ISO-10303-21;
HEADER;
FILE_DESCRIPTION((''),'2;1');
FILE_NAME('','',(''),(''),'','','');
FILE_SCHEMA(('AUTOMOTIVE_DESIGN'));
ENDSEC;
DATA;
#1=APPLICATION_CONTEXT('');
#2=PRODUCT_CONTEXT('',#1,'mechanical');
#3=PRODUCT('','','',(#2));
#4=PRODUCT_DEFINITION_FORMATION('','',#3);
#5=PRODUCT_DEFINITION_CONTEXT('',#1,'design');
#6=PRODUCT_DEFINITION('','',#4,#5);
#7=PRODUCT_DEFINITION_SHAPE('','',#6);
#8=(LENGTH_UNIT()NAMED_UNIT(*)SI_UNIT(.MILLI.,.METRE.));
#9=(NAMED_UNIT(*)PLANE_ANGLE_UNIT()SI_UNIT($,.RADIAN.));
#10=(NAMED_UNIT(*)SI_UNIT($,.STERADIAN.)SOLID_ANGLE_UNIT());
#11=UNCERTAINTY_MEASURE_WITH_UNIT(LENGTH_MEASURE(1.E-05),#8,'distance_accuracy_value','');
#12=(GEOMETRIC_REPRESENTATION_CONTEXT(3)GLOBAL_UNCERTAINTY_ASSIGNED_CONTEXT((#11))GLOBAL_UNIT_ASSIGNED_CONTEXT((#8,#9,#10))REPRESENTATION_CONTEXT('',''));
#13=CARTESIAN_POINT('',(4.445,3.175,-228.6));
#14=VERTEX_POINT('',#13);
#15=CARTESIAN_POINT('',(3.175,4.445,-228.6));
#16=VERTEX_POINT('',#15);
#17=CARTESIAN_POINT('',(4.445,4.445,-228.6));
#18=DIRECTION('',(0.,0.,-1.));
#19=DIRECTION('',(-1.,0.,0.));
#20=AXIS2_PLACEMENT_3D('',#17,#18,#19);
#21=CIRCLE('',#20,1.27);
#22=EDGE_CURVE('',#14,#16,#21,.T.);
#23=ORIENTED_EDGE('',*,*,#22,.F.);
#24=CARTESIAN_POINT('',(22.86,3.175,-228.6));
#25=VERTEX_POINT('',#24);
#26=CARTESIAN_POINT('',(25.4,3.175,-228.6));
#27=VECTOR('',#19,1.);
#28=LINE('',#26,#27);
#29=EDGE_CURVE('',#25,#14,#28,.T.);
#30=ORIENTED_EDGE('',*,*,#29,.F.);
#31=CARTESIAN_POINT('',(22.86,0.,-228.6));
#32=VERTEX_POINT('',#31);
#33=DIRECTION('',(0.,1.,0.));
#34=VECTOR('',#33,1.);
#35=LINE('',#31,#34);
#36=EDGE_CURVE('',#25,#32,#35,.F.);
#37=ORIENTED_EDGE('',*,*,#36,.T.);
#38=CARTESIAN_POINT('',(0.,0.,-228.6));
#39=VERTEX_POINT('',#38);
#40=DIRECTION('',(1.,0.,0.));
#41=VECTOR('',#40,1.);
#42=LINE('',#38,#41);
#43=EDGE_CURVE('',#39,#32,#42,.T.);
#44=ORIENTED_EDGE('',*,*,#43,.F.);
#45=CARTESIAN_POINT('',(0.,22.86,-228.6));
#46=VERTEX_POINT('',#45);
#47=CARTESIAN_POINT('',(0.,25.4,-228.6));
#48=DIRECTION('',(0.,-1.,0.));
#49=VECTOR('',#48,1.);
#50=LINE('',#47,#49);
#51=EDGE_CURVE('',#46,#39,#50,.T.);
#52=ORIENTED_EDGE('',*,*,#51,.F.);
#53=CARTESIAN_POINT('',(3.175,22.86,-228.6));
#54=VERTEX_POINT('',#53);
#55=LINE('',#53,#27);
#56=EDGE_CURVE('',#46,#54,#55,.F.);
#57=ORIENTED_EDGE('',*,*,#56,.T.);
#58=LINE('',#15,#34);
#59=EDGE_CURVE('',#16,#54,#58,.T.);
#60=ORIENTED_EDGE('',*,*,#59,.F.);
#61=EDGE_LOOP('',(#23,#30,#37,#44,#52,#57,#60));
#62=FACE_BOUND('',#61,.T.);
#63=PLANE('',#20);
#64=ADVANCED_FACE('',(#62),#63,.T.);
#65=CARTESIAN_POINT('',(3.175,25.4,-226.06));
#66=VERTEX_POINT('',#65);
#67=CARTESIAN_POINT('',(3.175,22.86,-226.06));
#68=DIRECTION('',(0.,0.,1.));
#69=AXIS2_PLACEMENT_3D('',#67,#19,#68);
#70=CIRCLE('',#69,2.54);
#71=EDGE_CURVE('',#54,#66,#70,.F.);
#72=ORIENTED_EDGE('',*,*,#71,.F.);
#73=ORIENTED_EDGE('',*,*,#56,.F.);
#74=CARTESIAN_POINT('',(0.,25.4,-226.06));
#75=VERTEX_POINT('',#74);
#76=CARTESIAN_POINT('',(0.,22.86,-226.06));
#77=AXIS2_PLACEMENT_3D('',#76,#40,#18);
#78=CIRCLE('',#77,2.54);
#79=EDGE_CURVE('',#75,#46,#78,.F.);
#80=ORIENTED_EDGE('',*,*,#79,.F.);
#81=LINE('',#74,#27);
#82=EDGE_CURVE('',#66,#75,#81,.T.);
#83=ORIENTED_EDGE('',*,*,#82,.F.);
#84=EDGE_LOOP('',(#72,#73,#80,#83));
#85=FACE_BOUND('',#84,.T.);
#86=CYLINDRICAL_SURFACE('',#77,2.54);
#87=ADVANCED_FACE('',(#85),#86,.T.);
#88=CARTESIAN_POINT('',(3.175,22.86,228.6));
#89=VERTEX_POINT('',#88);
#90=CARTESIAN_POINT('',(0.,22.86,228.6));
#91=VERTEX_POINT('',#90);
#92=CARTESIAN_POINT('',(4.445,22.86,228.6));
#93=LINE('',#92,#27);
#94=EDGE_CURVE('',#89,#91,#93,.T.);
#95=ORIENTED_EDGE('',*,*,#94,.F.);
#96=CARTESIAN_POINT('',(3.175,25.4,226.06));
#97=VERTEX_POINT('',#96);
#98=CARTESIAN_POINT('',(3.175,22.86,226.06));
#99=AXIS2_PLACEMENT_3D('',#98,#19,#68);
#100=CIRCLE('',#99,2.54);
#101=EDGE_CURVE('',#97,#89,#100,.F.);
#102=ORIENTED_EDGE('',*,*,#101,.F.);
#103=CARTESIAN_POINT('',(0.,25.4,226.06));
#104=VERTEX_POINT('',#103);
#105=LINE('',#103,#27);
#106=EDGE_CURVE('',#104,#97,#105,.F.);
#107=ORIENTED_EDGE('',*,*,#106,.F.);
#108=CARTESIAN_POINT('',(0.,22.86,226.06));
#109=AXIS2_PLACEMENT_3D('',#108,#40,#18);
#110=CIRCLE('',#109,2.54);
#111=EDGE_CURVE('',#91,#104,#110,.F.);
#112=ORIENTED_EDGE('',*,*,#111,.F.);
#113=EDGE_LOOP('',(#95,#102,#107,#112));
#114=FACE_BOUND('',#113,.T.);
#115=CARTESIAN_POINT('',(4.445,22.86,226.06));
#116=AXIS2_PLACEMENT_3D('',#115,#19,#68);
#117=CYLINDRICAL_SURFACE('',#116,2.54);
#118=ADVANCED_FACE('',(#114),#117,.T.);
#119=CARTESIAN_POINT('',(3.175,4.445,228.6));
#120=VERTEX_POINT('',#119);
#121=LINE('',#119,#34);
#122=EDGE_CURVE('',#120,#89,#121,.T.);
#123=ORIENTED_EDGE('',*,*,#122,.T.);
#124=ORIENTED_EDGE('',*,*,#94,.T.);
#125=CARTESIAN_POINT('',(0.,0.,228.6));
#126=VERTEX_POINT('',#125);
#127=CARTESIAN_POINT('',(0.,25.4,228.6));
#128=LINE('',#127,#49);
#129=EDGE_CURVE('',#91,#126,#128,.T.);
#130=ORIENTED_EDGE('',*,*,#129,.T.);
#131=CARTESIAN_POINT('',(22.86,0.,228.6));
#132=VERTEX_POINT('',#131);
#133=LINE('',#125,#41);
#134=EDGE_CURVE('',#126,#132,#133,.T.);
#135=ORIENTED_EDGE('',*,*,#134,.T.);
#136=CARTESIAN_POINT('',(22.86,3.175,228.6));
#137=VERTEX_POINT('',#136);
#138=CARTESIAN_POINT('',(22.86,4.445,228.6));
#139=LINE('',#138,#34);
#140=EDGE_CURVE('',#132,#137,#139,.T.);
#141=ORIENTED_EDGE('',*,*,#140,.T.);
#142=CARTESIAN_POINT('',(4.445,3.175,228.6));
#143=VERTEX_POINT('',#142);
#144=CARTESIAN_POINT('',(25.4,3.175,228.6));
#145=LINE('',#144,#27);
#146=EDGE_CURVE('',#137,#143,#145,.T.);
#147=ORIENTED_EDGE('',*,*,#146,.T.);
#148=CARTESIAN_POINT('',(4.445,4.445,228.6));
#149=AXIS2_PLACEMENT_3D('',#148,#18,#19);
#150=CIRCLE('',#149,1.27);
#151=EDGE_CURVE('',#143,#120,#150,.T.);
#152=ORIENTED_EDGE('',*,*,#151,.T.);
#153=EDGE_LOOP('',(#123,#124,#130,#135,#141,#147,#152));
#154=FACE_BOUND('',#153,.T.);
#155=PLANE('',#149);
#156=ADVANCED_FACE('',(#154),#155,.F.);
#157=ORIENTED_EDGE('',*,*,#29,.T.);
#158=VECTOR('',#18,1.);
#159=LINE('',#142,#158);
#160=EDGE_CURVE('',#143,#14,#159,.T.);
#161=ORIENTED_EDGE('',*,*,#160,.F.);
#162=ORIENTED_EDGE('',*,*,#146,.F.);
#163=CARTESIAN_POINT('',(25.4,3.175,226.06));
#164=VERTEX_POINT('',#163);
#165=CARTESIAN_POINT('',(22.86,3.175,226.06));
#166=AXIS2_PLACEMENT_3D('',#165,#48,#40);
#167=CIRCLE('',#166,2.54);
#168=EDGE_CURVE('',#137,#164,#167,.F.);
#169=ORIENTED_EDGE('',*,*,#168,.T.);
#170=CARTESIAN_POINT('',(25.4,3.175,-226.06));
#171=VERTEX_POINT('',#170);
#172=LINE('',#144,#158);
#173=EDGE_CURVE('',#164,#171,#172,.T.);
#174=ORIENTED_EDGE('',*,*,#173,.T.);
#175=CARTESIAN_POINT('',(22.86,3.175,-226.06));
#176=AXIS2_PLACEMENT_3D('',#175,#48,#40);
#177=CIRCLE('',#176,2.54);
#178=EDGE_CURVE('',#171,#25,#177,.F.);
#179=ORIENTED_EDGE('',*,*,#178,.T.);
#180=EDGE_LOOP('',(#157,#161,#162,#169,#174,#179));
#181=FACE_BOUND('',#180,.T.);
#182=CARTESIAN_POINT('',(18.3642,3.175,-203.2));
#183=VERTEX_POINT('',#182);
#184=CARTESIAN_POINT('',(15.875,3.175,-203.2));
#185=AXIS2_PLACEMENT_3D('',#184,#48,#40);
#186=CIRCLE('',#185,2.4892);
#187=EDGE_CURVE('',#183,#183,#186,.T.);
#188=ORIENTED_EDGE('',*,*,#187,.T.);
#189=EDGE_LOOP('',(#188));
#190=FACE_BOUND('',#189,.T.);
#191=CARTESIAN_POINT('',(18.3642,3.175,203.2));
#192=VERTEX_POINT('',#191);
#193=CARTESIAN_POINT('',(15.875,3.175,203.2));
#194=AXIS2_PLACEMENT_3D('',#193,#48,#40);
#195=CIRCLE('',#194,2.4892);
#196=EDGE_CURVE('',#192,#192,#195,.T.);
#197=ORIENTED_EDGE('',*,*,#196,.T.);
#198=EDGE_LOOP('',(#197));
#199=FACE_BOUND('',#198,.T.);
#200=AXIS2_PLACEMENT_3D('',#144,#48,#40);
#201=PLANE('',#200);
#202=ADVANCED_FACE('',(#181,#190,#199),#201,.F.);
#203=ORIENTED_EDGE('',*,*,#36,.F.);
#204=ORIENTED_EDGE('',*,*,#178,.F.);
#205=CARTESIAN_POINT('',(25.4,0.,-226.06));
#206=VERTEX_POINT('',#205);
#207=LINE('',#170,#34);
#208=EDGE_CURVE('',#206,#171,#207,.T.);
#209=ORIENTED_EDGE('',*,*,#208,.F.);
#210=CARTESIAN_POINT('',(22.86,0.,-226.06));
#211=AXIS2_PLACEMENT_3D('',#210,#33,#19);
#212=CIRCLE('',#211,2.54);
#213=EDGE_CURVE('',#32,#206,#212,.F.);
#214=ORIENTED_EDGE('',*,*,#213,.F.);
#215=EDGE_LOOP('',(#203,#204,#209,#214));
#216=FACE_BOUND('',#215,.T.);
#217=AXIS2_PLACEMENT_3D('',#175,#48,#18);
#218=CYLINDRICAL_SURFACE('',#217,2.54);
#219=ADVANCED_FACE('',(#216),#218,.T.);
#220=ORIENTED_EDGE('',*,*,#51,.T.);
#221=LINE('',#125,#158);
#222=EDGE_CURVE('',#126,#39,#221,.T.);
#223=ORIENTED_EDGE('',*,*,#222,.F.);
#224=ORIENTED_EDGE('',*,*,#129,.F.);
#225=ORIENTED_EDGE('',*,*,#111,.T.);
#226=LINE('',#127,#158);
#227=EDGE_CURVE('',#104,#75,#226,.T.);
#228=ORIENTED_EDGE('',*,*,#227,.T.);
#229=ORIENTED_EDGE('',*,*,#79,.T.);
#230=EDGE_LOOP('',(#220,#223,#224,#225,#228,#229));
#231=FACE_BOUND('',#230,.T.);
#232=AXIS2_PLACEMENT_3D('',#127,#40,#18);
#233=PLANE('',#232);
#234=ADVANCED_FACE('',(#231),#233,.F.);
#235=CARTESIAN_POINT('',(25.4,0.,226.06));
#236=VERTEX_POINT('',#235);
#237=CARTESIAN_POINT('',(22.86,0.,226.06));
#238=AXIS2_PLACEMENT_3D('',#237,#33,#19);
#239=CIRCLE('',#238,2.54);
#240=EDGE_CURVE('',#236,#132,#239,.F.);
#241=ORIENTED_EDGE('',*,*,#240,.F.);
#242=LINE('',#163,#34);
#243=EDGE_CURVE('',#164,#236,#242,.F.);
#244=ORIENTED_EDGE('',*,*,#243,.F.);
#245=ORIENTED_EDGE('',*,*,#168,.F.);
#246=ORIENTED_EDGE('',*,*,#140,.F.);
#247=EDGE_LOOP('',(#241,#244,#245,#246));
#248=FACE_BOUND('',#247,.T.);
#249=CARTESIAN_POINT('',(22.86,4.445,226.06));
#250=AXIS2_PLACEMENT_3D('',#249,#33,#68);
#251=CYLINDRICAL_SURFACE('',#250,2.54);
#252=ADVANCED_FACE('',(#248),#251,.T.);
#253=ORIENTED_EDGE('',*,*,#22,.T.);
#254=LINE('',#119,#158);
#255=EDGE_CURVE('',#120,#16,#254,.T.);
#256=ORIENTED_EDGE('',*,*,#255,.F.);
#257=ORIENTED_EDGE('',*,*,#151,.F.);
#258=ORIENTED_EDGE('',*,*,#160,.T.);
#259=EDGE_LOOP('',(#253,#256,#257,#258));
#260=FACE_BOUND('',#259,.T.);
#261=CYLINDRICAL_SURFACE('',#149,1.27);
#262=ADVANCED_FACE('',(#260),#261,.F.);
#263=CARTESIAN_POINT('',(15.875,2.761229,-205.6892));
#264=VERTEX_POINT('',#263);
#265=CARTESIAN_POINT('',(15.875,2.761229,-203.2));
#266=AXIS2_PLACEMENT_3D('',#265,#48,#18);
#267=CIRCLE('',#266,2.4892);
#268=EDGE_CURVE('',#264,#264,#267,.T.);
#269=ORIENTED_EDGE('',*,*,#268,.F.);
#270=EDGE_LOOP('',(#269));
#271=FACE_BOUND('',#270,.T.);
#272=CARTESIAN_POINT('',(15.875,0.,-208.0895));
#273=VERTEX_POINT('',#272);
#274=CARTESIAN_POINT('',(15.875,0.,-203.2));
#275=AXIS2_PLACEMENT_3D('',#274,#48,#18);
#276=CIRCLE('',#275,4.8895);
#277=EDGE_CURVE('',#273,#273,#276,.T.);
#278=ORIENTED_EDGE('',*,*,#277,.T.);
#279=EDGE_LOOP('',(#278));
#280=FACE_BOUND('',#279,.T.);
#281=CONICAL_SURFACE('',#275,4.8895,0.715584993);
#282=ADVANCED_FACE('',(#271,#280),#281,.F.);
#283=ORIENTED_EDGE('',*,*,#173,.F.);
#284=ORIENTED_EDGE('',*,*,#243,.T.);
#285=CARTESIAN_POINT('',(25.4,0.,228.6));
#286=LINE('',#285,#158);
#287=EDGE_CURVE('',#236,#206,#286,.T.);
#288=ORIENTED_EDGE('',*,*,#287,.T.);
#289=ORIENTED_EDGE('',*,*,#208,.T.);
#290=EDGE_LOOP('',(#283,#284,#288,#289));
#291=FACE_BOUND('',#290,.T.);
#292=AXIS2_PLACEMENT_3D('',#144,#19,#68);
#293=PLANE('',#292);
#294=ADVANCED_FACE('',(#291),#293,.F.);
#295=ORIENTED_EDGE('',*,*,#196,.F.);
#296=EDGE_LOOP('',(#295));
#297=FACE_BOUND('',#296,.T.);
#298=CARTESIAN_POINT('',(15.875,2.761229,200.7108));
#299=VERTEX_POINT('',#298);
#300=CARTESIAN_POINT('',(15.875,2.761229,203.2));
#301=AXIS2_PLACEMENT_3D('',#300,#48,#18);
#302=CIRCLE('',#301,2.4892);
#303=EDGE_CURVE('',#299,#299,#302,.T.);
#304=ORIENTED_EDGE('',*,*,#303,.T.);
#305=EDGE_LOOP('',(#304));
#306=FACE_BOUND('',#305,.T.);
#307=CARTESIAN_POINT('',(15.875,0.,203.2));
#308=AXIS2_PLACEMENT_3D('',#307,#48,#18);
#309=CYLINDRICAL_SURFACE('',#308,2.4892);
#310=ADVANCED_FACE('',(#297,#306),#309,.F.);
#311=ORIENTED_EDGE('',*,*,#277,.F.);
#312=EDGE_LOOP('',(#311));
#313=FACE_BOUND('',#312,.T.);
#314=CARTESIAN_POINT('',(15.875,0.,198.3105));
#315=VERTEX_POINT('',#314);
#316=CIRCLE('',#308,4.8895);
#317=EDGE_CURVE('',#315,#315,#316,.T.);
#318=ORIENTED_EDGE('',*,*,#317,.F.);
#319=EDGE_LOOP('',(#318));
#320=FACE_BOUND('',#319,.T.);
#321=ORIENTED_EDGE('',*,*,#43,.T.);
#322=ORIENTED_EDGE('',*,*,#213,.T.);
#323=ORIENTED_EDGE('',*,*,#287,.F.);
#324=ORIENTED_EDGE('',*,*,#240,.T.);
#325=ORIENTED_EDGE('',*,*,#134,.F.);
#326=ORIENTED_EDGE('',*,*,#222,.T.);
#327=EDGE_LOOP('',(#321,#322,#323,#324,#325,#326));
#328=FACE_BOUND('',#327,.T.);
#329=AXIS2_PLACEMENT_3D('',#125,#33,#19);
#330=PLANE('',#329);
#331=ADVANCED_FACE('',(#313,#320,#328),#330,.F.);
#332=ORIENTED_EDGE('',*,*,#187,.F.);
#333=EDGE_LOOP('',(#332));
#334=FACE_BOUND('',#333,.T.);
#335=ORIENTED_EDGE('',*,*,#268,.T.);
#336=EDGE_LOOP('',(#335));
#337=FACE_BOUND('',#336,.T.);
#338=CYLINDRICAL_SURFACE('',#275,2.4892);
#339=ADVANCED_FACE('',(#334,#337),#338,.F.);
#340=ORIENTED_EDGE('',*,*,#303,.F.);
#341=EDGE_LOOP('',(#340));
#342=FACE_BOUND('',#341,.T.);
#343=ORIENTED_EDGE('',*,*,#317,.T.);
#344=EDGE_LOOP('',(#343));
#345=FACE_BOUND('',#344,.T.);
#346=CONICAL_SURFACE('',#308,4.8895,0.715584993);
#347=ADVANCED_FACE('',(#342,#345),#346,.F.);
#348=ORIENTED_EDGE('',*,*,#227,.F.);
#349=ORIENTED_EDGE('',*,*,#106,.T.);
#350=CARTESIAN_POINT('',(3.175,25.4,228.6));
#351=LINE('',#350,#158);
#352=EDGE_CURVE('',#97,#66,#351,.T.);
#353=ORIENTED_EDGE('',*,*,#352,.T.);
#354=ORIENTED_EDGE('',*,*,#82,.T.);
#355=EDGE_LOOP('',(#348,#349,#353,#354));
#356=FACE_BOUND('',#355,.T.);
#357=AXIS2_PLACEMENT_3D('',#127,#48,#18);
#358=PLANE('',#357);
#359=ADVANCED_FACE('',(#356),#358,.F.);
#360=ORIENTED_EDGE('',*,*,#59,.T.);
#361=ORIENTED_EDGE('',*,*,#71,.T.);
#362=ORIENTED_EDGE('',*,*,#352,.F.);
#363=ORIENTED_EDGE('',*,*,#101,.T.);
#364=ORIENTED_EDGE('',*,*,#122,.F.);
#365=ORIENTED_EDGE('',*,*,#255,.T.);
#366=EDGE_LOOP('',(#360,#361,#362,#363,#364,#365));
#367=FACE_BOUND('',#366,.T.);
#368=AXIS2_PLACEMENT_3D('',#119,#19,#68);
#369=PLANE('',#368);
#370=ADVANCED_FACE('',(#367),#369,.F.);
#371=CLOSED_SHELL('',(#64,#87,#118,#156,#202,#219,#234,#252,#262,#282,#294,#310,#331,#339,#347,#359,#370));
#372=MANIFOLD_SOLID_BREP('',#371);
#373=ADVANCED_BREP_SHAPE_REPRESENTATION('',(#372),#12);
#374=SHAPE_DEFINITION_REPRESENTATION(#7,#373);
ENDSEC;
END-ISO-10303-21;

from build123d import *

# Parameters (mm, degrees)
BOSS_EXTRUDE1_DEPTH = 228.6
FILLET1_R           = 2.54


with BuildPart() as part:
    # Sketch1 → Boss-Extrude1 (new, symmetric)
    with BuildSketch(Plane.XY):
        with BuildLine():
            Line((0, 0), (25.4, 0))
            Line((25.4, 0), (25.4, 3.175))
            Line((25.4, 3.175), (4.445, 3.175))
            ThreePointArc((4.445, 3.175), (3.546974388, 3.546974388), (3.175, 4.445))
            Line((3.175, 4.445), (3.175, 25.400000027))
            Line((3.175, 25.400000027), (0, 25.400000027))
            Line((0, 25.400000027), (0, 0))
        make_face()
    extrude(amount=BOSS_EXTRUDE1_DEPTH, both=True)

    # Sketch3 → CSK for #10 Flat Head Machine Screw1 (revolve, cut)
    with BuildSketch(Plane(origin=(15.875, 0, -203.2), x_dir=(0, 0, -1), z_dir=(1, 0, 0))):
        Polygon((0, 0), (0, 3.175), (2.4892, 3.175), (2.4892, 2.761229288), (4.8895, 0), align=None)
    csk_for_10_flat_head_machine_screw1 = revolve(axis=Axis((15.875, -6.35, -203.2), (0, 1, 0)), mode=Mode.SUBTRACT)

    # Mirror1: CSK for #10 Flat Head Machine Screw1 across plane
    add(csk_for_10_flat_head_machine_screw1.mirror(Plane.XY), mode=Mode.SUBTRACT)

    # Fillet1
    fillet1_edges = [part.edges().sort_by_distance(p)[0] for p in [
        (25.4, 1.5875, 228.6),
        (1.5875, 25.400000027, 228.6),
        (1.5875, 25.400000027, -228.6),
        (25.4, 1.5875, -228.6),
    ]]
    fillet(fillet1_edges, radius=FILLET1_R)


solid = part.part
